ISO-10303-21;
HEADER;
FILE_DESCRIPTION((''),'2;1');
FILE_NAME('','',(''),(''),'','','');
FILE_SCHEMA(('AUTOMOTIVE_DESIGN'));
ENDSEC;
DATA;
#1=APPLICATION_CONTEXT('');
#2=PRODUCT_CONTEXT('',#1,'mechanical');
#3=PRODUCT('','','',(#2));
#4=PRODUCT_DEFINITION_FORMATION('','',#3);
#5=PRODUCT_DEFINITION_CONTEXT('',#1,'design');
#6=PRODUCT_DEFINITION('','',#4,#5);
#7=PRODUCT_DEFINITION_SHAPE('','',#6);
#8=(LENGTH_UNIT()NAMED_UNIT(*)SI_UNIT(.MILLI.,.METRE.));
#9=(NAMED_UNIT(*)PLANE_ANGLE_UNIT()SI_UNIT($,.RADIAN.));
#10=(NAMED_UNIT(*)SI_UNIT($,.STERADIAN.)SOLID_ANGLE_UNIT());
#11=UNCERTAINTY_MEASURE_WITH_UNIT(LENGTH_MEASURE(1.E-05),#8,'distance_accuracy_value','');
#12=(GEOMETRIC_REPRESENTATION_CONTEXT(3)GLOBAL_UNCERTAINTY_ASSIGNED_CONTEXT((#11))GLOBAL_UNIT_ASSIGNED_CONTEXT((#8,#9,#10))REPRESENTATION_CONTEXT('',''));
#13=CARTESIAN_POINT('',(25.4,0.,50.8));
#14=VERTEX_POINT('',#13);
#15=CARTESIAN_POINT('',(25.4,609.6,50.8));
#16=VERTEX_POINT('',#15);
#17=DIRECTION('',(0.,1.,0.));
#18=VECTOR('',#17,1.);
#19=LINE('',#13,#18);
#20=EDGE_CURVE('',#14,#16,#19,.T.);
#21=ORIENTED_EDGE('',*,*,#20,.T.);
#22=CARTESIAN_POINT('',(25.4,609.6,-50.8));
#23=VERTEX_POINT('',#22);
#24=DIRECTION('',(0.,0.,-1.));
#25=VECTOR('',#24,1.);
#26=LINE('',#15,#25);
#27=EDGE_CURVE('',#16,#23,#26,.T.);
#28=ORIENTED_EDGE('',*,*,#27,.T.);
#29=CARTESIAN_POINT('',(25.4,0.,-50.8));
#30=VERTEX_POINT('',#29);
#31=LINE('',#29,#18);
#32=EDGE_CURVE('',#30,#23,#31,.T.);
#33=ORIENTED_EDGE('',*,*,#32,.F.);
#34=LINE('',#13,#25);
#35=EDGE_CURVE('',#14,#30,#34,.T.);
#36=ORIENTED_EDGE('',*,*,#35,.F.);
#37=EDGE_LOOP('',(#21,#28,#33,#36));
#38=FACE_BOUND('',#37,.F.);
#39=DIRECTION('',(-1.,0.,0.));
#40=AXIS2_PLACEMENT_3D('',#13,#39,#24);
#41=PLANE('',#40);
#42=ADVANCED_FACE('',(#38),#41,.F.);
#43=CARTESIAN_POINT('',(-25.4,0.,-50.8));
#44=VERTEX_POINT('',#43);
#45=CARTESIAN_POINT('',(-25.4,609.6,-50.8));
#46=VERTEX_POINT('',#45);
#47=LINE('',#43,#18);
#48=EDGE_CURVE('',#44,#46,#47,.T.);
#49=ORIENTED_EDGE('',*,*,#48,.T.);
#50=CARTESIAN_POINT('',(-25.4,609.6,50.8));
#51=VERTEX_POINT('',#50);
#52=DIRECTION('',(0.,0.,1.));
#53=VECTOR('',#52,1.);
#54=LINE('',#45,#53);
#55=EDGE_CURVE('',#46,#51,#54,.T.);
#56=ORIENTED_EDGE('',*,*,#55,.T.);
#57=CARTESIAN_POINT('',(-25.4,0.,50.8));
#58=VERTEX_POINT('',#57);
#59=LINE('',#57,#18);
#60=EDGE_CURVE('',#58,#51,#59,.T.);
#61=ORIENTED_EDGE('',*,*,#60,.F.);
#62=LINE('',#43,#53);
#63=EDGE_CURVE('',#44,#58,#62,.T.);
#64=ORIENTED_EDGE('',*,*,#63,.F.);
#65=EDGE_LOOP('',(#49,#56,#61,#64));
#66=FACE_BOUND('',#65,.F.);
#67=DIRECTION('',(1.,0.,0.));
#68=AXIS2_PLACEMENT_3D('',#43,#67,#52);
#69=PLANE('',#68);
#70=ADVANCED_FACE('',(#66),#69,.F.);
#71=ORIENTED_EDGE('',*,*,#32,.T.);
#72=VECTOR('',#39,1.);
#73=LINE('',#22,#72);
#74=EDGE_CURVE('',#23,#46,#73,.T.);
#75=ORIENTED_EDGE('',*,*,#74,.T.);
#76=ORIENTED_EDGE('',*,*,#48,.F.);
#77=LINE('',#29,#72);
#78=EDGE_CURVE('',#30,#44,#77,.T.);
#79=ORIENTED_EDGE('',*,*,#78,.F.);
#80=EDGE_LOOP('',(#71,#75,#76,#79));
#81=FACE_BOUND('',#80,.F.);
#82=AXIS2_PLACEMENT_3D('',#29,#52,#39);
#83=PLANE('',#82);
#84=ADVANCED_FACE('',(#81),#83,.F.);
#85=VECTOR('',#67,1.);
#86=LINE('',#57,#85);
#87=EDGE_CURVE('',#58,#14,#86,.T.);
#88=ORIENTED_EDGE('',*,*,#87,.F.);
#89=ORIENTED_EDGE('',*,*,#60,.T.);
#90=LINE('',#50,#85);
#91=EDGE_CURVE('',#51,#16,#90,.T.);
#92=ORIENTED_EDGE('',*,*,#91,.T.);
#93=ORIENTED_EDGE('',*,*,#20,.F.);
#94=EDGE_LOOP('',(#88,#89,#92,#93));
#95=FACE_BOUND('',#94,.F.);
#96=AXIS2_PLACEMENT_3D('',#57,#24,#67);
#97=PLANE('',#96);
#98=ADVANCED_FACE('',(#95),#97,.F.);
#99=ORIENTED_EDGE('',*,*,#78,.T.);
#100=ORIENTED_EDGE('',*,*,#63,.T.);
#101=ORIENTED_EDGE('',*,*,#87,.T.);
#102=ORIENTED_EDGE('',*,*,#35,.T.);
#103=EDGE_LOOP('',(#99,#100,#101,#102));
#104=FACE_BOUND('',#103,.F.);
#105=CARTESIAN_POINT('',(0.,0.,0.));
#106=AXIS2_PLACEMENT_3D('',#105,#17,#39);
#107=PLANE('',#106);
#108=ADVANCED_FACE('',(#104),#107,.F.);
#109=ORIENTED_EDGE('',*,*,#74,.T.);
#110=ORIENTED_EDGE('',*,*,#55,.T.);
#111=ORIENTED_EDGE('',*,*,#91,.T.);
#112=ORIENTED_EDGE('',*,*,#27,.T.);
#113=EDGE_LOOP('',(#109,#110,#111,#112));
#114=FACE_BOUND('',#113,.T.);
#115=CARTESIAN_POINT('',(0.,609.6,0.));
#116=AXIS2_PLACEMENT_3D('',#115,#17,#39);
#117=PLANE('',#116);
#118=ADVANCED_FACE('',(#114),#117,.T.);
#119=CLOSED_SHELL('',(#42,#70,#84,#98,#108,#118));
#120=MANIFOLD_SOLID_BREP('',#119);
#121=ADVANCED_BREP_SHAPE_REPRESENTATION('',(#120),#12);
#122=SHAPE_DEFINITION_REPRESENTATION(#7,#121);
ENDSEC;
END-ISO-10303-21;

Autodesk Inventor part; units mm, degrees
ref_plane "YZ Plane" through (0, 0, 0) normal (1, 0, 0) x (0, 1, 0)
ref_plane "XZ Plane" through (0, 0, 0) normal (0, 1, 0) x (-1, 0, 0)
ref_plane "XY Plane" through (0, 0, 0) normal (0, 0, 1) x (1, 0, 0)
sketch "Sketch1" plane through (0, 0, 0) normal (0, 1, 0) x (-1, 0, 0)
  line L0 (-25.4, -50.8) -> (25.4, -50.8)
  line L1 (25.4, -50.8) -> (25.4, 50.8)
  line L2 (25.4, 50.8) -> (-25.4, 50.8)
  line L3 (-25.4, 50.8) -> (-25.4, -50.8)
  line L4 (-25.4, -50.8) -> (25.4, 50.8) construction
  line L5 (25.4, -50.8) -> (-25.4, 50.8) construction
  point P0 (0, 0)
  dimension "d0" = 50.8
  dimension "d1" = 101.6
extrude "Extrusion1" add sketch "Sketch1" along normal blind 609.6
sketch "Sketch2" plane through (0, 609.6, 0) normal (0, 1, 0) x (1, 0, 0)
  point P0 (0, 0)
properties part number "2x4x24" material "Wood (Birch)"
